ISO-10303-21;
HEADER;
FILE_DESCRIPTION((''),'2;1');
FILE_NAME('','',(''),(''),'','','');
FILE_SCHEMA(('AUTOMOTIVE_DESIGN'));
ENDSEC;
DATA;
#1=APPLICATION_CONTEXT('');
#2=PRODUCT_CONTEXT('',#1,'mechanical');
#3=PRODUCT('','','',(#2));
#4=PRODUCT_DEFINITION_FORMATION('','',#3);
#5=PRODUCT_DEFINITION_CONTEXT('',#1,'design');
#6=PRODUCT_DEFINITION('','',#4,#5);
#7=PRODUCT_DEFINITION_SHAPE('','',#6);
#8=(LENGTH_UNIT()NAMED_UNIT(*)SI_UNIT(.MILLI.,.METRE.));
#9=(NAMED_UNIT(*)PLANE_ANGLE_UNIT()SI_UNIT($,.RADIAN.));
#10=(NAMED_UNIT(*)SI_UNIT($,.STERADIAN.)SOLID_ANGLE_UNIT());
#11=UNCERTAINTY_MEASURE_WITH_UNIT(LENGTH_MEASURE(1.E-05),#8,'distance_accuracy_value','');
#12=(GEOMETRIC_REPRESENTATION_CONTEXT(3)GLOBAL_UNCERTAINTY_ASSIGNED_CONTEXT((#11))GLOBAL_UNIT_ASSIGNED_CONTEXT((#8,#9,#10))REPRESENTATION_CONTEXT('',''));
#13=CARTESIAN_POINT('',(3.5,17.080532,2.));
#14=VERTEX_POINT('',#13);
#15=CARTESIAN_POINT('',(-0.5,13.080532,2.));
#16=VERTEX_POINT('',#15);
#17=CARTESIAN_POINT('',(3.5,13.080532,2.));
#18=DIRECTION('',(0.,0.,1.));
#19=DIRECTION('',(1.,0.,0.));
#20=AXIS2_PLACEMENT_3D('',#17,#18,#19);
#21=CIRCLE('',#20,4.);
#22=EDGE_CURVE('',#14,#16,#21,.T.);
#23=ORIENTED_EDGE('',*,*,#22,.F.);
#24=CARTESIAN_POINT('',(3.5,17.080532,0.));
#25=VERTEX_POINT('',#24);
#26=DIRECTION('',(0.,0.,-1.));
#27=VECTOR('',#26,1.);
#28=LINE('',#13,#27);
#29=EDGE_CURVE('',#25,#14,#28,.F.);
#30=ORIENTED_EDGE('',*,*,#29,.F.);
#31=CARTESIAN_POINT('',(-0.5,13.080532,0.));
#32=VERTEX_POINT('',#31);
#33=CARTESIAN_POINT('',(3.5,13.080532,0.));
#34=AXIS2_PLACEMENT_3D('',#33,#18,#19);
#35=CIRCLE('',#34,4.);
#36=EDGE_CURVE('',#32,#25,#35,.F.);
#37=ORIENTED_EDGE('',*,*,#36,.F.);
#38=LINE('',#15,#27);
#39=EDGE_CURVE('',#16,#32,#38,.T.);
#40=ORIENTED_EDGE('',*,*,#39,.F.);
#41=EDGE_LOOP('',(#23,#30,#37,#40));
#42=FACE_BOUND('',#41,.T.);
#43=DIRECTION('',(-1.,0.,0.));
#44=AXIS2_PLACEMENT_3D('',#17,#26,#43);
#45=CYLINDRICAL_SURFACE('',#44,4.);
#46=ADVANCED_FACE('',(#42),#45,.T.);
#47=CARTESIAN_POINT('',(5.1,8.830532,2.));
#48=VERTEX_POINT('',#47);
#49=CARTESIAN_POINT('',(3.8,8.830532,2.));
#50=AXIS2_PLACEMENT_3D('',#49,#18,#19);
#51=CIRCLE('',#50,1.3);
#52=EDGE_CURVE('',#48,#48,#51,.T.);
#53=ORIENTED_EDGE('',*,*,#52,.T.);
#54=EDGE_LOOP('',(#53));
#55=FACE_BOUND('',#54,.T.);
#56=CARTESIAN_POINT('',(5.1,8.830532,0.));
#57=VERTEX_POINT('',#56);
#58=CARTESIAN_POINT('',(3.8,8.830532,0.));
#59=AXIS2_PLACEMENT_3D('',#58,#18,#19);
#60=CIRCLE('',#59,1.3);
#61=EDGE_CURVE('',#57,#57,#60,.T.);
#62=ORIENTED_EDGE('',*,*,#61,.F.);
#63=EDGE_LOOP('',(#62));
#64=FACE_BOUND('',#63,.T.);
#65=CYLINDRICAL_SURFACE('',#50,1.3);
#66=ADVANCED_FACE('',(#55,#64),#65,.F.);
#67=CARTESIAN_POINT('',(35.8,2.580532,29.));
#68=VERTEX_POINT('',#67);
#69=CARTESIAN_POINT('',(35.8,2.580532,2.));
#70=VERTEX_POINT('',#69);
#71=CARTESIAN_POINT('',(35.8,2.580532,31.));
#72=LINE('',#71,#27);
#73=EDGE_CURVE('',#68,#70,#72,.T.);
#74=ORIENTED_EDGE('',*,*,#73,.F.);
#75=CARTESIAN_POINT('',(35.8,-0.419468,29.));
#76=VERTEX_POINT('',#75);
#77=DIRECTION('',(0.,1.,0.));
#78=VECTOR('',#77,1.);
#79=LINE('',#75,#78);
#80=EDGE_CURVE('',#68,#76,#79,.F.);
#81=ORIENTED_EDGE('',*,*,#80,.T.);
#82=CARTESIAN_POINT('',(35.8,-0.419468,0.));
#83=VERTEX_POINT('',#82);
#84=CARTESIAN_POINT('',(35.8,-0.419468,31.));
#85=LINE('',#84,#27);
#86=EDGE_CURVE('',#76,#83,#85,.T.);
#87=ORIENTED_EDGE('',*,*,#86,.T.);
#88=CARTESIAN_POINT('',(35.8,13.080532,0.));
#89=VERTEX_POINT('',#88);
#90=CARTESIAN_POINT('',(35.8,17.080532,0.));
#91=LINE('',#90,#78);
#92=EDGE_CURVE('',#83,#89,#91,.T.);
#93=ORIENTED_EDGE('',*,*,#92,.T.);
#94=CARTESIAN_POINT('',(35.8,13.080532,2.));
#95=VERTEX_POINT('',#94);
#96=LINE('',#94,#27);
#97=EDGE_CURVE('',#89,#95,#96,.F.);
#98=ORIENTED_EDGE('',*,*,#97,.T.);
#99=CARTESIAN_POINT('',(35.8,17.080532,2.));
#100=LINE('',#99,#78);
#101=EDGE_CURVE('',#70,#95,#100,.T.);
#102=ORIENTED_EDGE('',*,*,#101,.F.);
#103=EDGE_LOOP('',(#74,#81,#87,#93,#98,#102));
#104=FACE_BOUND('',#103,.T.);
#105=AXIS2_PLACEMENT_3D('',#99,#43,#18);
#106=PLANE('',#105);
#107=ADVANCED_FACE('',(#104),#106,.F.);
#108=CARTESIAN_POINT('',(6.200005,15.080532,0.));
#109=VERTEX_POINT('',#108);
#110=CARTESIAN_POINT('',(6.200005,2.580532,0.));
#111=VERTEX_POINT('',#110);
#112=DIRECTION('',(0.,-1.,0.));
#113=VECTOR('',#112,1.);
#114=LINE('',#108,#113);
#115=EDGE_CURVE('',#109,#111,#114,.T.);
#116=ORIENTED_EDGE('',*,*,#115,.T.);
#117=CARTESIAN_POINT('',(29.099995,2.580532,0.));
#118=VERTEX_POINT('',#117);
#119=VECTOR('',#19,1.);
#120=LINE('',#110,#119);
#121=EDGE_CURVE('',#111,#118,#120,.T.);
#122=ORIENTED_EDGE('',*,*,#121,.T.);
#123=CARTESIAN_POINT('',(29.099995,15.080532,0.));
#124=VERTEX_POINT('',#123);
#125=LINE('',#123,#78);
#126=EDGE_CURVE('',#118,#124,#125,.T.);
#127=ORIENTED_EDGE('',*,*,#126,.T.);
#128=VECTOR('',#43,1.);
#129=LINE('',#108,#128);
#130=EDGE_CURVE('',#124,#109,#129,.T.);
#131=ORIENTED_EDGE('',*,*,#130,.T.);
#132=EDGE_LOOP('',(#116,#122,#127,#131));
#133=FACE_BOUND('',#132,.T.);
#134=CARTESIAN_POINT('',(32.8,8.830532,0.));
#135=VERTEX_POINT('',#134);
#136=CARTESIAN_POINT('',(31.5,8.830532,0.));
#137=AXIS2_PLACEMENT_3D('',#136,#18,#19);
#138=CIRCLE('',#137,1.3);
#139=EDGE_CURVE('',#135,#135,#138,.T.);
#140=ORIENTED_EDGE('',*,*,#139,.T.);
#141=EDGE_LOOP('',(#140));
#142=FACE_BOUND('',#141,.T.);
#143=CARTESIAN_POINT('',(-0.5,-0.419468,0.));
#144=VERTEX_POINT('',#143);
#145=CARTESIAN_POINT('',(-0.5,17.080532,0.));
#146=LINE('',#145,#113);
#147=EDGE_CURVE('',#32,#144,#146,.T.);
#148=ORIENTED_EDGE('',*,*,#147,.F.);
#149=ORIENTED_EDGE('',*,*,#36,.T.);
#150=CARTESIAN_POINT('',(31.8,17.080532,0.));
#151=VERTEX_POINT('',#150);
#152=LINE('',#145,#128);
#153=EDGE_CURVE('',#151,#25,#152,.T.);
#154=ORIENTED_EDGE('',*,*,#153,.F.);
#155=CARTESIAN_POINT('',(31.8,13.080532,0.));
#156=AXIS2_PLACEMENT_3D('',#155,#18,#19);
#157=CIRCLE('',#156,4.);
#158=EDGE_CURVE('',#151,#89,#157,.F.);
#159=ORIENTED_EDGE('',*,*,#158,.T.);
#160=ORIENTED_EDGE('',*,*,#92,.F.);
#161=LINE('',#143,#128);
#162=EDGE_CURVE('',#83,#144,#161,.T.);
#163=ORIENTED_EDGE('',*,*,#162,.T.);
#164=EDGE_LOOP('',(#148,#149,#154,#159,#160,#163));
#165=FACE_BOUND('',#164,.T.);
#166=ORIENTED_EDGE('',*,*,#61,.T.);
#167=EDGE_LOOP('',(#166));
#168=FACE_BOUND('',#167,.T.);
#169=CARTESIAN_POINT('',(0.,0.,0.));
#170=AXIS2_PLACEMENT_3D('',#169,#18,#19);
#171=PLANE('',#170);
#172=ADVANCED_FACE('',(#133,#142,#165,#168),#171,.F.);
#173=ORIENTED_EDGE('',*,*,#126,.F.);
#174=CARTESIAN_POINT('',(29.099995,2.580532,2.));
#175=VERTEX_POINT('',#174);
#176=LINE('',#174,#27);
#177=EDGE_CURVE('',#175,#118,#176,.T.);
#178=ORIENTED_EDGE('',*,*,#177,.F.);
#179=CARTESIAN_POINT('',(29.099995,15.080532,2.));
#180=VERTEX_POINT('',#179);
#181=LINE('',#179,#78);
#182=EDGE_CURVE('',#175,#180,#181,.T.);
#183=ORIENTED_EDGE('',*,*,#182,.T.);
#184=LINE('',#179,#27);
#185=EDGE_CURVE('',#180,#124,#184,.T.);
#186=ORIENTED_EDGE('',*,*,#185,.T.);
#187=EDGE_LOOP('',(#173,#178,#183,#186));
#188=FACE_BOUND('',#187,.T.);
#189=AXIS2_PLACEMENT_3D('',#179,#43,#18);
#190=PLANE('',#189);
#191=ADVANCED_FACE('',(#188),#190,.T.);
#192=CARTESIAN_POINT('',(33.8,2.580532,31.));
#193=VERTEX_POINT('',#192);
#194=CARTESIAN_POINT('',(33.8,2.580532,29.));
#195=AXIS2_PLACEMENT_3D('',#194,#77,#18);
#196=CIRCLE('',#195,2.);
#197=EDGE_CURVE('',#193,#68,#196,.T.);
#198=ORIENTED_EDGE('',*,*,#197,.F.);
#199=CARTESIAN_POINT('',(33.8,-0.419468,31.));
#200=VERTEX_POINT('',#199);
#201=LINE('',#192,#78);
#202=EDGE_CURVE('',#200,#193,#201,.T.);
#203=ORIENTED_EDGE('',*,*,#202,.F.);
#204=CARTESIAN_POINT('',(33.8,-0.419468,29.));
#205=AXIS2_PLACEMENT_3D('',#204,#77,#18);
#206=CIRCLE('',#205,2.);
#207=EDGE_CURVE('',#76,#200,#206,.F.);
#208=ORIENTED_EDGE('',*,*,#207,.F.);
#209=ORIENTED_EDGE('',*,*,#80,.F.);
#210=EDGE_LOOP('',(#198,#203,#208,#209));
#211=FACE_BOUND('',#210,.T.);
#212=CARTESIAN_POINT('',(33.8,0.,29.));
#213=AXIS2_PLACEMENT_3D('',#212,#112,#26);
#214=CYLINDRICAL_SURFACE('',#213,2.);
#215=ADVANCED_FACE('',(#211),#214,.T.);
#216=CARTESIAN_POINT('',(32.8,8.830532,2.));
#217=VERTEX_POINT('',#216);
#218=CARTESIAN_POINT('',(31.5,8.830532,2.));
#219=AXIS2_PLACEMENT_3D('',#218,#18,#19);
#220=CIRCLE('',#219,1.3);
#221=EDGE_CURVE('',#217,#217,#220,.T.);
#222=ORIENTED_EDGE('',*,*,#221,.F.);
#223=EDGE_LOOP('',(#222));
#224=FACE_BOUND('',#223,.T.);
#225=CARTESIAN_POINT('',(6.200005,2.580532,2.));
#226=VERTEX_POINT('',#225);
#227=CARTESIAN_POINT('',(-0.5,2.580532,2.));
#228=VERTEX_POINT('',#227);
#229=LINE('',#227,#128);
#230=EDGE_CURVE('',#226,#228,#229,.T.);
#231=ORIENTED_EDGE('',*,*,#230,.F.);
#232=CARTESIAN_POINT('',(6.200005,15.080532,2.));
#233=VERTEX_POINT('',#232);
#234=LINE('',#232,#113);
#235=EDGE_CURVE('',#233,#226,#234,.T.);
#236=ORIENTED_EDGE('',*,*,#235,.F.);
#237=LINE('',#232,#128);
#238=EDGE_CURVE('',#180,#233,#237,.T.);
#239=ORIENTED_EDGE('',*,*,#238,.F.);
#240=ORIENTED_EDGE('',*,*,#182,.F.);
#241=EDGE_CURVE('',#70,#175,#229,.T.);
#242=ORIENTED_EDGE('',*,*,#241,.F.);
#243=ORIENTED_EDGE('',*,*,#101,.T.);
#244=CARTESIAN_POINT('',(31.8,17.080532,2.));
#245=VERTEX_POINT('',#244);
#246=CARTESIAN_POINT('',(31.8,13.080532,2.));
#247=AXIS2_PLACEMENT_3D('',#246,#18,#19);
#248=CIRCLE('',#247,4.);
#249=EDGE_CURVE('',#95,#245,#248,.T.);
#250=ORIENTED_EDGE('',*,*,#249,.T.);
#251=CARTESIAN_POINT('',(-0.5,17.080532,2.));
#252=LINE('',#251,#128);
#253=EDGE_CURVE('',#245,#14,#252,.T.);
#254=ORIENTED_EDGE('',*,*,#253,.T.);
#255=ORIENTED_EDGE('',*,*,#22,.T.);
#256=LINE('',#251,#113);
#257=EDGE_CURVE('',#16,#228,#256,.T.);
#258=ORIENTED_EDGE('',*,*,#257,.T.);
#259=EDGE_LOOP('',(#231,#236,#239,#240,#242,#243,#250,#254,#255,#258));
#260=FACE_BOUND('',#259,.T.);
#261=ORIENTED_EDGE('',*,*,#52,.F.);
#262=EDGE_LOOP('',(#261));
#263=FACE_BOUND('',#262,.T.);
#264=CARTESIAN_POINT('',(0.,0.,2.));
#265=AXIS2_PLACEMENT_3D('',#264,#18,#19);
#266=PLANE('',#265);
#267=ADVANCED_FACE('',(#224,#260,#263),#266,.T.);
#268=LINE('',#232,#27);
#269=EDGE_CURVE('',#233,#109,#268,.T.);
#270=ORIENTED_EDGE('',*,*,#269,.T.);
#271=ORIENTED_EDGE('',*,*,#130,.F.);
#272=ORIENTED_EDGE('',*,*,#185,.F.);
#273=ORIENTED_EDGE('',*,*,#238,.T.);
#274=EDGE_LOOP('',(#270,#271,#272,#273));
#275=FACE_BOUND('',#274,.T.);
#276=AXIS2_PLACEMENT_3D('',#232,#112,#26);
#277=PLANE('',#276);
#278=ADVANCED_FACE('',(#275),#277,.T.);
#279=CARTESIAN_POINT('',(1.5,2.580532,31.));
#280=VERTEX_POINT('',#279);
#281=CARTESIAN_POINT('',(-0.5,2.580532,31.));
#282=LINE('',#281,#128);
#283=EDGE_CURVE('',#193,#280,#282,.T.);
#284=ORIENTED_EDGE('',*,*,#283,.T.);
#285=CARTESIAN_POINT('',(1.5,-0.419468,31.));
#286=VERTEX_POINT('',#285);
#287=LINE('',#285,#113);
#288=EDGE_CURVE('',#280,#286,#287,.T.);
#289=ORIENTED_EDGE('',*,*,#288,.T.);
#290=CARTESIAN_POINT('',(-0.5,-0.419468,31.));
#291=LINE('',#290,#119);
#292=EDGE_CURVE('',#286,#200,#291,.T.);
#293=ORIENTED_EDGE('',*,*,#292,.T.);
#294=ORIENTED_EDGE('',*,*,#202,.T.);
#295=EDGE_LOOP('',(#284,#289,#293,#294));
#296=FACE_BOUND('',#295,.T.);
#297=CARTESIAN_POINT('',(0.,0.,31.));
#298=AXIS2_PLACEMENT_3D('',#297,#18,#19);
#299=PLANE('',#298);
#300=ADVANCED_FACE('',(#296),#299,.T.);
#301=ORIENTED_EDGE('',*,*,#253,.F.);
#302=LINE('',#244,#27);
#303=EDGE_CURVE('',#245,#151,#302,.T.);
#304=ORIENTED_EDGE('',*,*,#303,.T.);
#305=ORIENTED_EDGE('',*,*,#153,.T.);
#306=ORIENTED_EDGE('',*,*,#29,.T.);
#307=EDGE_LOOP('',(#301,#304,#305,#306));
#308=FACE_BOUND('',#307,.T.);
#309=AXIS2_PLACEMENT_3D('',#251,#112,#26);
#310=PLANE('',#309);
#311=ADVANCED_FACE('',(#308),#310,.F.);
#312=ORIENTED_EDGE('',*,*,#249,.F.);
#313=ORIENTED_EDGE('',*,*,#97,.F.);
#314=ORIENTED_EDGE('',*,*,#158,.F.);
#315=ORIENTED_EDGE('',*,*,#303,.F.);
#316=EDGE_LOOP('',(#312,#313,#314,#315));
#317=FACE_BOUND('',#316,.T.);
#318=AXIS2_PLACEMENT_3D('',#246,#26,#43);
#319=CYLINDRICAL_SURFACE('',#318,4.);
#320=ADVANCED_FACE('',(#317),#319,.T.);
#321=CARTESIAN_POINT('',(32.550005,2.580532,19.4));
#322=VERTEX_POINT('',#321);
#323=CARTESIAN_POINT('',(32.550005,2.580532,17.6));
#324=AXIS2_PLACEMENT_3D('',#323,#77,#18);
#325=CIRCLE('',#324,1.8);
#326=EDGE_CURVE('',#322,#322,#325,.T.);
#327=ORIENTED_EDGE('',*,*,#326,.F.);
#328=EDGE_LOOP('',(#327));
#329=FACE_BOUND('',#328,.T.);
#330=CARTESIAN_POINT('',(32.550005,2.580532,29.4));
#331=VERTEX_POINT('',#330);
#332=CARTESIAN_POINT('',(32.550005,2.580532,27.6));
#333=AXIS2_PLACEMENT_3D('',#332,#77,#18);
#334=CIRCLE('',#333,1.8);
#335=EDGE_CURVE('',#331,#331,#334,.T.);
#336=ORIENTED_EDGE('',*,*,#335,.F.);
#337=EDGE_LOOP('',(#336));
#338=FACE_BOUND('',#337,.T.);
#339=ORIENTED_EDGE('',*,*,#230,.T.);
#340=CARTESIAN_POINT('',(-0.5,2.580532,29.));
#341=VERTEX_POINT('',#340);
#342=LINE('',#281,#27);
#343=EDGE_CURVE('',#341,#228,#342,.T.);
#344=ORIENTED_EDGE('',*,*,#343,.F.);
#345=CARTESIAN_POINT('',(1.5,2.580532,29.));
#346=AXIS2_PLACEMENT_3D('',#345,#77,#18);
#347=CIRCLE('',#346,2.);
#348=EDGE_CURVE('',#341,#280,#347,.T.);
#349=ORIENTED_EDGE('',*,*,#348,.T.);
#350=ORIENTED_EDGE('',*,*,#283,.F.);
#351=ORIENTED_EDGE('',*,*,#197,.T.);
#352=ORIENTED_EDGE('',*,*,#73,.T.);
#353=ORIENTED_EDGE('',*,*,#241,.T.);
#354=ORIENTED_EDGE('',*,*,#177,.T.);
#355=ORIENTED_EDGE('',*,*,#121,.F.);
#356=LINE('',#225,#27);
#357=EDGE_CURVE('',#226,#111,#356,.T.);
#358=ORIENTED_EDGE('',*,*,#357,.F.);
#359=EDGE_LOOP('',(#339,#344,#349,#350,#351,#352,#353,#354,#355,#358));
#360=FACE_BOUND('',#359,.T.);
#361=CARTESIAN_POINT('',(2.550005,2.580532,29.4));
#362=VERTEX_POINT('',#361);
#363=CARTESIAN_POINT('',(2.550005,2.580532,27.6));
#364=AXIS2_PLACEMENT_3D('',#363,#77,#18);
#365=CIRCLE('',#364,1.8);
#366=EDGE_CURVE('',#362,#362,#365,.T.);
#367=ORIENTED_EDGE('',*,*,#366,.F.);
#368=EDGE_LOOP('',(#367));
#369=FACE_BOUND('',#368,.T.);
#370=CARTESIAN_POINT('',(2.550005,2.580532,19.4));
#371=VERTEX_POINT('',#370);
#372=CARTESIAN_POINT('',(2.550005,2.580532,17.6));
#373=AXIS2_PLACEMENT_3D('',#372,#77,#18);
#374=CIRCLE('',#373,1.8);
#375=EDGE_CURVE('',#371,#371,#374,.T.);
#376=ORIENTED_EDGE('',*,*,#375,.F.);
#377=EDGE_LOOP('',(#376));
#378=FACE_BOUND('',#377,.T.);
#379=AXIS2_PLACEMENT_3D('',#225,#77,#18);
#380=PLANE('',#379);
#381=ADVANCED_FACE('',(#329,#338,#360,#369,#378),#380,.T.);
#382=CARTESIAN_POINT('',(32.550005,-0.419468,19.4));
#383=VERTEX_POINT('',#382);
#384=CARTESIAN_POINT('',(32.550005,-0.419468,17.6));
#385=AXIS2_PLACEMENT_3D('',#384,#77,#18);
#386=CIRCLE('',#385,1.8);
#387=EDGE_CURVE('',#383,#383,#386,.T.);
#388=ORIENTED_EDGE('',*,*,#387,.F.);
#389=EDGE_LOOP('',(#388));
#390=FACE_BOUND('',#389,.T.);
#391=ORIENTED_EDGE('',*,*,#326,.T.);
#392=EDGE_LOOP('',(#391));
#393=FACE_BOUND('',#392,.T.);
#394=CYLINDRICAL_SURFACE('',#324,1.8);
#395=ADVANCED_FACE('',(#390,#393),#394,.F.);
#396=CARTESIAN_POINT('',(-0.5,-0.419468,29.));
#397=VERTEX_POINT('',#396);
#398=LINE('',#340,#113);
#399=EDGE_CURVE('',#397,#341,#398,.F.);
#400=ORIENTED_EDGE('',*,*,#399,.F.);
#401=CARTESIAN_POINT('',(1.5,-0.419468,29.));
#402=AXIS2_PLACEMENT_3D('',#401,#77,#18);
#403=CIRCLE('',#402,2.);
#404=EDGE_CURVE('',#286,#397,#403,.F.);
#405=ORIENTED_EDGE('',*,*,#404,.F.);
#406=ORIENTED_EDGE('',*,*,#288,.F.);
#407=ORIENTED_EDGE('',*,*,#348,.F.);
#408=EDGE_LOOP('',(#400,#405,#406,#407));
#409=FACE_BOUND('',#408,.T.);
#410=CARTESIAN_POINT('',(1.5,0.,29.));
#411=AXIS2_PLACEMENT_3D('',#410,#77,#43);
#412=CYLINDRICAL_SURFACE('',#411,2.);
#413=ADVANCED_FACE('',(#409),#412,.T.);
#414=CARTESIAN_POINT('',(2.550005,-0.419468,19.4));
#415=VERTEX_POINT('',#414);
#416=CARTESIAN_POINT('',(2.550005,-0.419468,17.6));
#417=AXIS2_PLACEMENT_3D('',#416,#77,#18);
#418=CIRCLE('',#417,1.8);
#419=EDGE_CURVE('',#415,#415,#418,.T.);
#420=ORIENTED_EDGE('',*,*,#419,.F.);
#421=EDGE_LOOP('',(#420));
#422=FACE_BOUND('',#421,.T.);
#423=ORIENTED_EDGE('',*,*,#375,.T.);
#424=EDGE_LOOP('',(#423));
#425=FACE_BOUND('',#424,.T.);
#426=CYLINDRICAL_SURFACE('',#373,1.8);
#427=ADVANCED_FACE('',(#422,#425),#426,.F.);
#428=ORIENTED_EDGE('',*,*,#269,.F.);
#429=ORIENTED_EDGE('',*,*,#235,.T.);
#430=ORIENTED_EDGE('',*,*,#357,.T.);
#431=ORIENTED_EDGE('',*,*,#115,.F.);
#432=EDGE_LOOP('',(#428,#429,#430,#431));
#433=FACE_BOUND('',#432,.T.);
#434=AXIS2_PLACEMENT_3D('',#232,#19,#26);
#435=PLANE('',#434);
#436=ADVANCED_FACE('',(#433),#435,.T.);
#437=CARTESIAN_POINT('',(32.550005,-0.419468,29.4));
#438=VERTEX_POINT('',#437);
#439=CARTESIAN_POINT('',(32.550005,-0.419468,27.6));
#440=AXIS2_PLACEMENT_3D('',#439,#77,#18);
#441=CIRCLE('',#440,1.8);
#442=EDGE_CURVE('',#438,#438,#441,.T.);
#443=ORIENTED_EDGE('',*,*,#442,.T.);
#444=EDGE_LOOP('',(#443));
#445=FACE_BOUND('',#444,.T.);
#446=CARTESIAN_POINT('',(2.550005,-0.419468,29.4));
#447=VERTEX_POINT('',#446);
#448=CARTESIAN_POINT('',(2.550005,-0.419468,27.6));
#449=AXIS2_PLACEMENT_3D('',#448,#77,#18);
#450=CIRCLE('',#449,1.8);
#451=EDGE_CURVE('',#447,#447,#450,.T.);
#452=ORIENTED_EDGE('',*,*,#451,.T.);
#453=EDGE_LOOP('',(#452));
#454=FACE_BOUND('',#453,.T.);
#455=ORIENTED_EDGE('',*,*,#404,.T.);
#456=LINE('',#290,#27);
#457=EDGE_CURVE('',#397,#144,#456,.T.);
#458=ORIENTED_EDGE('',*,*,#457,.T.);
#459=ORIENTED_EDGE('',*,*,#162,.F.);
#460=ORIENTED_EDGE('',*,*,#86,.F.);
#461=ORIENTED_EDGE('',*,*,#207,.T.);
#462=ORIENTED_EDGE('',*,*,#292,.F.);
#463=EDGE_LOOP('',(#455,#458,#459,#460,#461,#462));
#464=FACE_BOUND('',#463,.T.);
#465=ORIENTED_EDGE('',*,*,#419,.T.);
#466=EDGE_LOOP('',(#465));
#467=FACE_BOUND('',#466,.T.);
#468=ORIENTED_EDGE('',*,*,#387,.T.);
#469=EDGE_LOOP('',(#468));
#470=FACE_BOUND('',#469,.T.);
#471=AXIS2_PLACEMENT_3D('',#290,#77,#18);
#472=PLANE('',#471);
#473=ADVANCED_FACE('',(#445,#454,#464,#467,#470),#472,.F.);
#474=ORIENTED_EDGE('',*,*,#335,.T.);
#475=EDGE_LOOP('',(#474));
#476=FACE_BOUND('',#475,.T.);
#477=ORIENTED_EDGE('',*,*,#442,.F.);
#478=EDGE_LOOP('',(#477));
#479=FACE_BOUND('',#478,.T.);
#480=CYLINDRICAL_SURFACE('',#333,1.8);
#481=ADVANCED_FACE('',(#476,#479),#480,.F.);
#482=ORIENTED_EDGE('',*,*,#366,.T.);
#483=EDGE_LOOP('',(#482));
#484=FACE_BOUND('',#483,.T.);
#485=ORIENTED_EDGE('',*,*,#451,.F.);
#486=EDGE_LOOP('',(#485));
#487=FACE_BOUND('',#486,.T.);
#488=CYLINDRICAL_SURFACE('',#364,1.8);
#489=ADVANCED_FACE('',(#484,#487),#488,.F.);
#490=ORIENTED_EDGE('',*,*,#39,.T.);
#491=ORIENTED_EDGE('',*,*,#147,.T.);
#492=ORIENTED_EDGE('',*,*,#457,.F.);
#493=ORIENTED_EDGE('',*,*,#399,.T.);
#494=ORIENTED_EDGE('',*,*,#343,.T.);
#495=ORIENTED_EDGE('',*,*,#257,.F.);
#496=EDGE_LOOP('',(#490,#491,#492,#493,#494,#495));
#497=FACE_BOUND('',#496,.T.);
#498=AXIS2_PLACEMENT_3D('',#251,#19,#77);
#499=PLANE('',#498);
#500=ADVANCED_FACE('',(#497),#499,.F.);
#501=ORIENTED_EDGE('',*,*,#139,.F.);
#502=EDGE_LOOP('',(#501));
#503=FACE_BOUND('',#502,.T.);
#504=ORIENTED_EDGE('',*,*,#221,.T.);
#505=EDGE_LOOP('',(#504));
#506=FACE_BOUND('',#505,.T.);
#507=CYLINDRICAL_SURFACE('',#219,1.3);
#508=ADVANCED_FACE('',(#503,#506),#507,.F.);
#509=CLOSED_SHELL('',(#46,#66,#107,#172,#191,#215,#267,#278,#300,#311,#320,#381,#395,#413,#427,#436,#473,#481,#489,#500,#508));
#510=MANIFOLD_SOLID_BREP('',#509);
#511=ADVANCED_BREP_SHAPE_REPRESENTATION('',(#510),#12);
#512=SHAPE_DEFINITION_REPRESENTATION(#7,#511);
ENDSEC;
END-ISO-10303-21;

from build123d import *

# Parameters (mm, degrees)
SKETCH1_W            = 36.3
SKETCH1_H            = 16.5
SKETCH1_W_2          = 22.89999
SKETCH1_H_2          = 12.5
BOSS_EXTRUDE1_DEPTH  = 2
FILLET1_R            = 4
M2_CLEARANCE_HOLE1_D = 2.6
SKETCH4_W            = 36.3
SKETCH4_H            = 3
BOSS_EXTRUDE2_DEPTH  = 29
SKETCH4_2_W          = 36.3
SKETCH4_2_H          = 3
BOSS_EXTRUDE3_DEPTH  = 2
FILLET2_R            = 2
M3_CLEARANCE_HOLE1_D = 3.6


with BuildPart() as part:
    # Sketch1 → Boss-Extrude1 (new body)
    with BuildSketch(Plane.XY):
        with Locations((17.65, 8.830531887)):
            Rectangle(SKETCH1_W, SKETCH1_H)
        with Locations((17.65, 8.830531887)):
            Rectangle(SKETCH1_W_2, SKETCH1_H_2, mode=Mode.SUBTRACT)
    extrude(amount=BOSS_EXTRUDE1_DEPTH)

    # Fillet1
    fillet1_edges = [part.edges().sort_by_distance(p)[0] for p in [
        (-0.5, 17.080531887, 1),
        (35.8, 17.080531887, 1),
    ]]
    fillet(fillet1_edges, radius=FILLET1_R)

    # M2 Clearance Hole1 (through all)
    with Locations(Plane.XY.offset(2)):
        with Locations((31.5, 8.830531887), (3.8, 8.830531887)):
            Hole(M2_CLEARANCE_HOLE1_D / 2)

    # Sketch4 → Boss-Extrude2 (add)
    with BuildSketch(Plane.XY.offset(2)):
        with Locations((17.65, 1.080531887)):
            Rectangle(SKETCH4_W, SKETCH4_H)
    extrude(amount=BOSS_EXTRUDE2_DEPTH)

    # Sketch4<2> → Boss-Extrude3 (add)
    with BuildSketch(Plane.XY.offset(2)):
        with Locations((17.65, 1.080531887)):
            Rectangle(SKETCH4_2_W, SKETCH4_2_H)
    extrude(amount=-BOSS_EXTRUDE3_DEPTH)

    # Fillet2
    fillet2_edges = [part.edges().sort_by_distance(p)[0] for p in [
        (-0.5, 1.080531887, 31),
        (35.8, 1.080531887, 31),
    ]]
    fillet(fillet2_edges, radius=FILLET2_R)

    # M3 Clearance Hole1 (through all)
    with Locations(Plane(origin=(0, 2.580531887, 0), x_dir=(1, 0, 0), z_dir=(0, 1, 0))):
        with Locations((2.550005, -17.6), (2.550005, -27.6), (32.550005, -17.6), (32.550005, -27.6)):
            Hole(M3_CLEARANCE_HOLE1_D / 2)


solid = part.part
